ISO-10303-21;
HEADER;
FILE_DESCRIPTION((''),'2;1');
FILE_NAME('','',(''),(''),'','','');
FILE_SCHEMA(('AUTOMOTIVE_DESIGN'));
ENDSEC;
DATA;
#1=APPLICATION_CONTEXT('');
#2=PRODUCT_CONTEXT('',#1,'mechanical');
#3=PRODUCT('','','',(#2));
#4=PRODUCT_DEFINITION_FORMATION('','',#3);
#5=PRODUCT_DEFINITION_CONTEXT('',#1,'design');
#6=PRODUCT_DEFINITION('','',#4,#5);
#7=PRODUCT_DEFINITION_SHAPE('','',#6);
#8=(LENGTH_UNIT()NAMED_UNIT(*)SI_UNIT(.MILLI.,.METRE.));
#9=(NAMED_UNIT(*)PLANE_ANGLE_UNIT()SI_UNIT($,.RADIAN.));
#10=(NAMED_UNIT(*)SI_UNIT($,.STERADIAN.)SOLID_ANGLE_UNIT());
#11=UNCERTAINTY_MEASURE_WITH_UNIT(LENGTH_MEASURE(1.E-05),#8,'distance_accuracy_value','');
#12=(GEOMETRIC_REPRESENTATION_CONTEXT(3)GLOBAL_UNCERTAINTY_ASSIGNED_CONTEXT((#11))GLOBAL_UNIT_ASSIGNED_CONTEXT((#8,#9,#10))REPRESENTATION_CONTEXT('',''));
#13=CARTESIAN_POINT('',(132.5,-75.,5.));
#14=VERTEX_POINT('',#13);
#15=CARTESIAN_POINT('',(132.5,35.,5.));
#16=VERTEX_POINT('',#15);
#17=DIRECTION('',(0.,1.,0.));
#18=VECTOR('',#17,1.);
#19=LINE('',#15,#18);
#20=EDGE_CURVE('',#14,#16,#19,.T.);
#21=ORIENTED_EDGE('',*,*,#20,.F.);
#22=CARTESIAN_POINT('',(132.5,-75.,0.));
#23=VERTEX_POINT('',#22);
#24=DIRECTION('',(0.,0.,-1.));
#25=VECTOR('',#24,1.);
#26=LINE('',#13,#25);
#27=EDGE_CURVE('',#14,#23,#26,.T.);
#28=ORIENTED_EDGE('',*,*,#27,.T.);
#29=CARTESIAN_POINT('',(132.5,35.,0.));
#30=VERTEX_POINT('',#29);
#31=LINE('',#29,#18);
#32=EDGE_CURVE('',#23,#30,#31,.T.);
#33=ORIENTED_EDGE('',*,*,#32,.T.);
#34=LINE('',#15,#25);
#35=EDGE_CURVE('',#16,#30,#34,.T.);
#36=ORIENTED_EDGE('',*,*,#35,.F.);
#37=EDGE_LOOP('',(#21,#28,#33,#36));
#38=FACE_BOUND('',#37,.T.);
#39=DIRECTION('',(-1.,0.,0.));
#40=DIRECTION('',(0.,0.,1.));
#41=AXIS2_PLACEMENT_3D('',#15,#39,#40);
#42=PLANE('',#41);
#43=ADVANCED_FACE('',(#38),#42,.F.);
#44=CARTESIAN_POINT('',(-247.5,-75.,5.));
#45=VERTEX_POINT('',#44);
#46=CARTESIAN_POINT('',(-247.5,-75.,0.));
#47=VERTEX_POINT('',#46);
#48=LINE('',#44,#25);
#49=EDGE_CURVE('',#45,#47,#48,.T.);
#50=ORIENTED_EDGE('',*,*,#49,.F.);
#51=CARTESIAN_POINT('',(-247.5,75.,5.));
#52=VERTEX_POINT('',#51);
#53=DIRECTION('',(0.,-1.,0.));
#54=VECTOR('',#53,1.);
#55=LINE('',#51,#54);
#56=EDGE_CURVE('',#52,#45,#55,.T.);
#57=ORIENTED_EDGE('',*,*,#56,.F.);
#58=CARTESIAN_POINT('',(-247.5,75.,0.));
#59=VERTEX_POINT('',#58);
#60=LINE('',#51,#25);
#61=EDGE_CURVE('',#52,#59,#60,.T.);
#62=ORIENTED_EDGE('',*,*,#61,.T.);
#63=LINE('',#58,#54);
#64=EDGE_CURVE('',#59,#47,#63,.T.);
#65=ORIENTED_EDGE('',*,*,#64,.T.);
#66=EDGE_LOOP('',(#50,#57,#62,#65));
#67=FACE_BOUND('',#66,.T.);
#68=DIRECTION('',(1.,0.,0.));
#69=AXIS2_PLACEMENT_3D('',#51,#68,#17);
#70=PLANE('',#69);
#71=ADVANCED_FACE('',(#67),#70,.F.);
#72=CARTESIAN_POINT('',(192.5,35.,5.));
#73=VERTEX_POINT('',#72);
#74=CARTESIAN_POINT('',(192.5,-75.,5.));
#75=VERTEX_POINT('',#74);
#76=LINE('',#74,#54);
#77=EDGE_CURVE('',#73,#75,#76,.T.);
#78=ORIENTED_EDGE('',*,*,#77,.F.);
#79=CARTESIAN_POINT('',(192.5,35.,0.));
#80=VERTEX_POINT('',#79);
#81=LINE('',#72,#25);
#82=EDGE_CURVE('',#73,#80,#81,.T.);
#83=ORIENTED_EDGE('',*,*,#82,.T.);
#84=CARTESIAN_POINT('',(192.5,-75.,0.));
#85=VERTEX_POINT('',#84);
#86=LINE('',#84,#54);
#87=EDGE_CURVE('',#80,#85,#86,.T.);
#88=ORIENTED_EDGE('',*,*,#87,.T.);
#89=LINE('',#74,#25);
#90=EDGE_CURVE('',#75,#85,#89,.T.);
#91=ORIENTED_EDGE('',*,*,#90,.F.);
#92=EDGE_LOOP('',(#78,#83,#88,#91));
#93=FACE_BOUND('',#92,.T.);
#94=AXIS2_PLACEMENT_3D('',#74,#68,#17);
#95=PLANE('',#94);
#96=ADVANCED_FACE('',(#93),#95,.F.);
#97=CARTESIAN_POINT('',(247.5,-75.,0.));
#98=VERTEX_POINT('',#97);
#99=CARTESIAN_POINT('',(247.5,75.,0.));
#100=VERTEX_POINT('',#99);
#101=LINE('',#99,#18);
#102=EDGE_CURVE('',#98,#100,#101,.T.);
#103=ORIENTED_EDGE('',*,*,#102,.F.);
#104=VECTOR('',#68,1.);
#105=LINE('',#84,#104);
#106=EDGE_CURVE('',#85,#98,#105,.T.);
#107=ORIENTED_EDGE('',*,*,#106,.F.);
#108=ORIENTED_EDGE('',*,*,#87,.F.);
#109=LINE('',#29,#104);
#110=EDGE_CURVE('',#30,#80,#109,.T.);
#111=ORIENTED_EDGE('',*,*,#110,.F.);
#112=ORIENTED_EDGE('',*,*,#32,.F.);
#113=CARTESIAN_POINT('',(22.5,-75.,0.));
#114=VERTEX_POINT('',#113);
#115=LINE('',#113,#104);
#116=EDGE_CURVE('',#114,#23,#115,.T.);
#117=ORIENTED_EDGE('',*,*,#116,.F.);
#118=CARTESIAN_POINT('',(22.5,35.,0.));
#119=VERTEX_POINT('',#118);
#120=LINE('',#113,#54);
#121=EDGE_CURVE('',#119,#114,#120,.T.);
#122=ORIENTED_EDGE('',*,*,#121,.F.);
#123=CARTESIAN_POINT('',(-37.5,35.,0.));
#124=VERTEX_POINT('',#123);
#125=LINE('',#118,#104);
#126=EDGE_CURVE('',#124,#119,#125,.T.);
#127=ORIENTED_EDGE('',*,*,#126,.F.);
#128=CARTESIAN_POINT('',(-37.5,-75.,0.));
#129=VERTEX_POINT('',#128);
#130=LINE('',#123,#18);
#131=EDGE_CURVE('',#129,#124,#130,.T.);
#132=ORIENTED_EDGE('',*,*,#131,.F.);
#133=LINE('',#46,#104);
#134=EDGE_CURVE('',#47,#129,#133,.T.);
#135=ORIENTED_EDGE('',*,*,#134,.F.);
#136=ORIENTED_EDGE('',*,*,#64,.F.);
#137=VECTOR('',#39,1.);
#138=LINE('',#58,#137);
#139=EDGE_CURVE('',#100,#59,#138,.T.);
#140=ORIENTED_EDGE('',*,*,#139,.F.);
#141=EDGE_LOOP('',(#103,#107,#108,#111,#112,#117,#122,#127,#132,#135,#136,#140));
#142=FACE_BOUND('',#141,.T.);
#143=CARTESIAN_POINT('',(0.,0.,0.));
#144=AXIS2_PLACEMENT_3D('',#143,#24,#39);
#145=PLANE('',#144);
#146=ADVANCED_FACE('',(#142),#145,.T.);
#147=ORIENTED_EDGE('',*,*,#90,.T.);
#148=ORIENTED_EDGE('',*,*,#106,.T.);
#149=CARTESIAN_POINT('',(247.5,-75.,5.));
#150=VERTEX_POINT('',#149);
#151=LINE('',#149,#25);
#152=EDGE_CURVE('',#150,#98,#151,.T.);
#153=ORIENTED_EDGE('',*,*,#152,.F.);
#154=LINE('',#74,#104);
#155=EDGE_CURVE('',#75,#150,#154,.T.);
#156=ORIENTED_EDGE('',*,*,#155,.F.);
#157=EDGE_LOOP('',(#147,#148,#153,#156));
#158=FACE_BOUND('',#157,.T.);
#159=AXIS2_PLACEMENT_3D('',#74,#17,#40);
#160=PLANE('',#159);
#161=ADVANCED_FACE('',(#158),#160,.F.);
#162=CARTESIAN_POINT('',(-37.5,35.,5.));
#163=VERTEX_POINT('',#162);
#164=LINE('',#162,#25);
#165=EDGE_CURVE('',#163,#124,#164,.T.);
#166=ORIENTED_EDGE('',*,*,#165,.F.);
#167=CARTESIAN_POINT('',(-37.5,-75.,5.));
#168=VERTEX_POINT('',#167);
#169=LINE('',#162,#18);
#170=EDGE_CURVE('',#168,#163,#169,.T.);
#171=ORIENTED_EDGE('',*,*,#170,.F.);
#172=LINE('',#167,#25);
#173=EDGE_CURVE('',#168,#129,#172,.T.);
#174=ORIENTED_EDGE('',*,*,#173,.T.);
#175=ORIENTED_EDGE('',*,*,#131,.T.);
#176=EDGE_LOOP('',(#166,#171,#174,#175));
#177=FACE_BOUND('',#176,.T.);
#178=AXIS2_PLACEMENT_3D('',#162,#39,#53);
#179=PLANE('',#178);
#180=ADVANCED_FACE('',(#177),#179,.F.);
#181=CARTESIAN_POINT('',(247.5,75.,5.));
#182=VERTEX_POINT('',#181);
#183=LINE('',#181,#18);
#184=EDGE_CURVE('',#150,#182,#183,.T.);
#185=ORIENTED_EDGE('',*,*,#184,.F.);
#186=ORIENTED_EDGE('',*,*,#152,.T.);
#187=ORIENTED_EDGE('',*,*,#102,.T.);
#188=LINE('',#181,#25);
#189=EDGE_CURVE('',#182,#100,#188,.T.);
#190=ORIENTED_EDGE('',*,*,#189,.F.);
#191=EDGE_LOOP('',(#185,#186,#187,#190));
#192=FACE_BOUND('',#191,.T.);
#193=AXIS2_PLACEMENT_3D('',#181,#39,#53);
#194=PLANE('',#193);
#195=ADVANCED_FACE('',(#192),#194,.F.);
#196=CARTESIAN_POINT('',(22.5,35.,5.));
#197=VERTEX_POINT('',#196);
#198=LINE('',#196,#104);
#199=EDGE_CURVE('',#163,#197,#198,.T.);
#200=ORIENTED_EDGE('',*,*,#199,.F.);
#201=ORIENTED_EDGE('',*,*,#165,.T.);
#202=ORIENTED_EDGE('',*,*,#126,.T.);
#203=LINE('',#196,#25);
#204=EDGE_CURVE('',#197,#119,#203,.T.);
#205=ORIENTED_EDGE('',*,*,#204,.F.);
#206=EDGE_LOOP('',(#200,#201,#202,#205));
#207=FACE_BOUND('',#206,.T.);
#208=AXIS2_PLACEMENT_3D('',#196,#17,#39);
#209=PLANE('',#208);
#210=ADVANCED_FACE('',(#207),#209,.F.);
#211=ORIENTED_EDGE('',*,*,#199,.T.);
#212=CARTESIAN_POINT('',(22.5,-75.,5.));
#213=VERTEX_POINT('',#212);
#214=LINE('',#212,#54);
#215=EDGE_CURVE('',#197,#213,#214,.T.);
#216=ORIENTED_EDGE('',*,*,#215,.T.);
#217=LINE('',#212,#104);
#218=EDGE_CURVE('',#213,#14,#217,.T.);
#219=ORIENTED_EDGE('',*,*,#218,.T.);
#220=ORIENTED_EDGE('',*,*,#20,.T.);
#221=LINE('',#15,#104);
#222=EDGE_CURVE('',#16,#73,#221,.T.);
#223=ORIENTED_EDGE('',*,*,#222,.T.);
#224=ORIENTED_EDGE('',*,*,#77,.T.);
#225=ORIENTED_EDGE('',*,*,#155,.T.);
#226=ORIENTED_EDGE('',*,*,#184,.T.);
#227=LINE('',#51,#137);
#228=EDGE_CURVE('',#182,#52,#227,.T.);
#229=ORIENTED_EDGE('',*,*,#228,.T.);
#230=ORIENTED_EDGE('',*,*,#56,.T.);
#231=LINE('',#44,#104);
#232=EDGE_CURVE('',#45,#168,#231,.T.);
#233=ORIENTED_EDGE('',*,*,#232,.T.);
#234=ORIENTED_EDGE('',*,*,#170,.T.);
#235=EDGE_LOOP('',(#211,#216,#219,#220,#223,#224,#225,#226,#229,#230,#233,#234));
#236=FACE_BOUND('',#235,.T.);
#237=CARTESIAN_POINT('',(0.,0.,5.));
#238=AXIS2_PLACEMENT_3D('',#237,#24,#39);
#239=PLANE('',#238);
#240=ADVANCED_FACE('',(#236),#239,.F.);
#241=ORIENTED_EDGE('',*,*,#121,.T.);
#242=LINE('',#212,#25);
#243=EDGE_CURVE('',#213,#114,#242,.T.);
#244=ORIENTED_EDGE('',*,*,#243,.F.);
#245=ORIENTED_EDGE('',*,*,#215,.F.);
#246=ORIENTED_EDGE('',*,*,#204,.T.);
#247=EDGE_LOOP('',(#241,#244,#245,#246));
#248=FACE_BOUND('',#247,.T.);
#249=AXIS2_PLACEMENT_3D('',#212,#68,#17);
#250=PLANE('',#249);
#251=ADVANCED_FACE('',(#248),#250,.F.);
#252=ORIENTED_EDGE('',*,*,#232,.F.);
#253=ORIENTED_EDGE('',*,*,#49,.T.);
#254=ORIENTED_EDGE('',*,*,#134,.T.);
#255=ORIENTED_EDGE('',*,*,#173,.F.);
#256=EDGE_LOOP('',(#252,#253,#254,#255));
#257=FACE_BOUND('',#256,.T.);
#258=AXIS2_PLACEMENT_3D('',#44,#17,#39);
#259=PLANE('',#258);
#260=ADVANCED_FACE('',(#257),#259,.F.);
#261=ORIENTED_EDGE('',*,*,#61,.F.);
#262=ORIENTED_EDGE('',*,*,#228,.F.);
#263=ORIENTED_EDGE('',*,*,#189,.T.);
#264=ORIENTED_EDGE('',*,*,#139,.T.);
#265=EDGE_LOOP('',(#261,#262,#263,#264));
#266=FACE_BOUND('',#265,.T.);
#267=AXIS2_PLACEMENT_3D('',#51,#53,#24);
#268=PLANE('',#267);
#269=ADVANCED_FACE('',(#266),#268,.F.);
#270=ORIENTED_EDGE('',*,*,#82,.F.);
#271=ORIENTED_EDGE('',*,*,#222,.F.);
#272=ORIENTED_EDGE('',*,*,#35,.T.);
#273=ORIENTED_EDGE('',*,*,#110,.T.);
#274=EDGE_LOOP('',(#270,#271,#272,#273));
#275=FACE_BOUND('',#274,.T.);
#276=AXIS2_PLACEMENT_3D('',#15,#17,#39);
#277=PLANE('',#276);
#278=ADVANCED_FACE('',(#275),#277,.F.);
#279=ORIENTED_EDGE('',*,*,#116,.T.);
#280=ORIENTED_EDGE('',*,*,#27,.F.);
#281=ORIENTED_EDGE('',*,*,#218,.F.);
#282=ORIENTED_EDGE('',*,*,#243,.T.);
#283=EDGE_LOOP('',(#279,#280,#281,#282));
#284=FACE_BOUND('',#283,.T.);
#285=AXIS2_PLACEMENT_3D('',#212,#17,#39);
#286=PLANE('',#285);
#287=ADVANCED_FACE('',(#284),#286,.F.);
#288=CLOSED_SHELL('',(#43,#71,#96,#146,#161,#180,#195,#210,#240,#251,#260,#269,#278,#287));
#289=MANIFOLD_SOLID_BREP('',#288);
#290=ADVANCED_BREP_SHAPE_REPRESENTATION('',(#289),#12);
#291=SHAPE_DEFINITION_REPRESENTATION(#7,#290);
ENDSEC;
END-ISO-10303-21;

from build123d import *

# Parameters (mm, degrees)
BOSS_EXTRUDE1_DEPTH = 5


with BuildPart() as part:
    # Sketch1 → Boss-Extrude1 (new body)
    with BuildSketch(Plane.XY):
        Polygon((-247.5, 75), (247.5, 75), (247.5, -75), (192.5, -75), (192.5, 35), (132.5, 35), (132.5, -75), (22.5, -75), (22.5, 35), (-37.5, 35), (-37.5, -75), (-247.5, -75), align=None)
    extrude(amount=BOSS_EXTRUDE1_DEPTH)


solid = part.part
